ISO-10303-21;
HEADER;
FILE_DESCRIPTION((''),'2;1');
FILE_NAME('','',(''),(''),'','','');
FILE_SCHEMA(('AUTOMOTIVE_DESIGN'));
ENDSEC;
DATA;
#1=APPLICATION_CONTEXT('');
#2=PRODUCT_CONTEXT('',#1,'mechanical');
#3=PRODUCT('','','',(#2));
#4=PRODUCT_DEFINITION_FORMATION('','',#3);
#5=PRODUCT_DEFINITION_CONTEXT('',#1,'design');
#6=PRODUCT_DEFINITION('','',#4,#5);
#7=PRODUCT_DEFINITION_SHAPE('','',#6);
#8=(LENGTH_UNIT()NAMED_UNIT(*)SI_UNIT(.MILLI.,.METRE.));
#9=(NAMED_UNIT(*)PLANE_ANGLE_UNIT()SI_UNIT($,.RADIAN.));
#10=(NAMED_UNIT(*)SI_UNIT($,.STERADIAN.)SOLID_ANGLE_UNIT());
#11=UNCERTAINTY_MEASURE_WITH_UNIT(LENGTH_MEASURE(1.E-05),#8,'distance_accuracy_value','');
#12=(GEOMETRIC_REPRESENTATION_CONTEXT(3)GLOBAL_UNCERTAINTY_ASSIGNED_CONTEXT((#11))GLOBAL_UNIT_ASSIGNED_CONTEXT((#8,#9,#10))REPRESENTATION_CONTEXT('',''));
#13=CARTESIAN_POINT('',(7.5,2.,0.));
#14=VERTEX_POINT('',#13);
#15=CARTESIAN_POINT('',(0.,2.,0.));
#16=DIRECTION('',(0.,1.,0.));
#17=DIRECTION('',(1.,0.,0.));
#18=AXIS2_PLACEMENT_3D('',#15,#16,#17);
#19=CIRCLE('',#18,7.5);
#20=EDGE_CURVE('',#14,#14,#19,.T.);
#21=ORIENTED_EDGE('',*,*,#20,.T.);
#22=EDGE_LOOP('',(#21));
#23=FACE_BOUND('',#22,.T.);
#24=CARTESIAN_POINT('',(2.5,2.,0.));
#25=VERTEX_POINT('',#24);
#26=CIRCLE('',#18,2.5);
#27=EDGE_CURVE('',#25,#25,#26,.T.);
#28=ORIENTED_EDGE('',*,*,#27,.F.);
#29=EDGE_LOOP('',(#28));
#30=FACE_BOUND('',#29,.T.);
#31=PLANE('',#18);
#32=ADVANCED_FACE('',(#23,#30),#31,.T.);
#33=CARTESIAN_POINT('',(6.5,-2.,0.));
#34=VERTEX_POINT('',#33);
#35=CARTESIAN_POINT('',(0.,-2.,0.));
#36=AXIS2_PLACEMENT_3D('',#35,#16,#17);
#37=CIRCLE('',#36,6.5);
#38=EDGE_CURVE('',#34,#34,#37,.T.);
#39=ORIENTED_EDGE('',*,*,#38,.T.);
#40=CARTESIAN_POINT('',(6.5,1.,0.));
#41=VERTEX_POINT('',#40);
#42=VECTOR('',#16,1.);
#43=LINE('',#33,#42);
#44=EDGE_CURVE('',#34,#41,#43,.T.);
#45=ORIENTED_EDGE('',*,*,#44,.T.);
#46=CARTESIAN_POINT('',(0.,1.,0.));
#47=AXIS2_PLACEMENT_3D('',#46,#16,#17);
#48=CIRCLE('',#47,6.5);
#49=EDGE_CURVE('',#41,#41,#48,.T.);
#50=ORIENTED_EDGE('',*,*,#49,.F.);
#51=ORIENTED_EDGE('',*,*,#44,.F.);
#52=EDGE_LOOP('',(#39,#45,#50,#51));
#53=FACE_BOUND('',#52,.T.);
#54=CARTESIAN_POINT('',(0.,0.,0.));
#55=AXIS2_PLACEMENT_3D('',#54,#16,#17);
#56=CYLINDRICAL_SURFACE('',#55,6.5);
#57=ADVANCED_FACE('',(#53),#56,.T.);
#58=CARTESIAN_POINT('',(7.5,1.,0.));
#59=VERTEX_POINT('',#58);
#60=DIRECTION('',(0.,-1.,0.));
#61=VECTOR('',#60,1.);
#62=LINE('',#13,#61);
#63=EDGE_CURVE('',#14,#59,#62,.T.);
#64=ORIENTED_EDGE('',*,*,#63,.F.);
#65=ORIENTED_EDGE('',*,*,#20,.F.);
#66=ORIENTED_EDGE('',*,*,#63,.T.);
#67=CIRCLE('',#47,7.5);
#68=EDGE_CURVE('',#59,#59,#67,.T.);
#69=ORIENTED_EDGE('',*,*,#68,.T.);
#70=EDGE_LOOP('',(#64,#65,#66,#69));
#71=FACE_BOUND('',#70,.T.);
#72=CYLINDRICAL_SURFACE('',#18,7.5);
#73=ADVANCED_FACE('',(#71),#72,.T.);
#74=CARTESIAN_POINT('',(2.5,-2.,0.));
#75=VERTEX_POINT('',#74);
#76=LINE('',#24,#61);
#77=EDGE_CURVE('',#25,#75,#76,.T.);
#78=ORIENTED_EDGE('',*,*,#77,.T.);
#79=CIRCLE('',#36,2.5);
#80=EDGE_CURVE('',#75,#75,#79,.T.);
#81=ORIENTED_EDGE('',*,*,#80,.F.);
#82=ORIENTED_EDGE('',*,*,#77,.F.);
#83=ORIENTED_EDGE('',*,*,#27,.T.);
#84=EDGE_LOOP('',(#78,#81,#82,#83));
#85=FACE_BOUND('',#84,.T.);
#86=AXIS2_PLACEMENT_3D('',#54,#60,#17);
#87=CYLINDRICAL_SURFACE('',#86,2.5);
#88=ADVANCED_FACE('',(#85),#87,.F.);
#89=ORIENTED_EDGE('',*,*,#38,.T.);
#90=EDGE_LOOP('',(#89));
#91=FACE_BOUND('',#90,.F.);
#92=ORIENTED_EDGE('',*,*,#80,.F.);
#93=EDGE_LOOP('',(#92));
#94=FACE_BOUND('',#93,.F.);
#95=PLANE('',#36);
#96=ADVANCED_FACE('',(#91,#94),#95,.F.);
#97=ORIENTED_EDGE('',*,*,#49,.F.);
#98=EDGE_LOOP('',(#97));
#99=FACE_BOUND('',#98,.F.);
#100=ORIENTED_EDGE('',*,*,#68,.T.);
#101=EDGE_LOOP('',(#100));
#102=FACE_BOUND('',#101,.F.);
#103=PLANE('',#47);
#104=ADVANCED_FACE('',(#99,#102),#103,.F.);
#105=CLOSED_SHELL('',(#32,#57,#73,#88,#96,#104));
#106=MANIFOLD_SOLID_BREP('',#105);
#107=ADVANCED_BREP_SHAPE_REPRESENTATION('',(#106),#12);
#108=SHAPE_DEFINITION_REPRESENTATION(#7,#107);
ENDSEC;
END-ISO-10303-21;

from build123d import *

# Parameters (mm, degrees)
SKETCH1_R           = 6.5
SKETCH1_R_2         = 2.5
BOSS_EXTRUDE1_DEPTH = 2
SKETCH2_R           = 7.5
SKETCH2_R_2         = 6.5
BOSS_EXTRUDE2_DEPTH = 1


with BuildPart() as part:
    # Sketch1 → Boss-Extrude1 (new body, symmetric)
    with BuildSketch(Plane(origin=(0, 0, 0), x_dir=(1, 0, 0), z_dir=(0, 1, 0))):
        Circle(SKETCH1_R)
        Circle(SKETCH1_R_2, mode=Mode.SUBTRACT)
    extrude(amount=BOSS_EXTRUDE1_DEPTH, both=True)

    # Sketch2 → Boss-Extrude2 (add)
    with BuildSketch(Plane(origin=(0, 2, 0), x_dir=(1, 0, 0), z_dir=(0, 1, 0))):
        Circle(SKETCH2_R)
        Circle(SKETCH2_R_2, mode=Mode.SUBTRACT)
    extrude(amount=-BOSS_EXTRUDE2_DEPTH)


solid = part.part
